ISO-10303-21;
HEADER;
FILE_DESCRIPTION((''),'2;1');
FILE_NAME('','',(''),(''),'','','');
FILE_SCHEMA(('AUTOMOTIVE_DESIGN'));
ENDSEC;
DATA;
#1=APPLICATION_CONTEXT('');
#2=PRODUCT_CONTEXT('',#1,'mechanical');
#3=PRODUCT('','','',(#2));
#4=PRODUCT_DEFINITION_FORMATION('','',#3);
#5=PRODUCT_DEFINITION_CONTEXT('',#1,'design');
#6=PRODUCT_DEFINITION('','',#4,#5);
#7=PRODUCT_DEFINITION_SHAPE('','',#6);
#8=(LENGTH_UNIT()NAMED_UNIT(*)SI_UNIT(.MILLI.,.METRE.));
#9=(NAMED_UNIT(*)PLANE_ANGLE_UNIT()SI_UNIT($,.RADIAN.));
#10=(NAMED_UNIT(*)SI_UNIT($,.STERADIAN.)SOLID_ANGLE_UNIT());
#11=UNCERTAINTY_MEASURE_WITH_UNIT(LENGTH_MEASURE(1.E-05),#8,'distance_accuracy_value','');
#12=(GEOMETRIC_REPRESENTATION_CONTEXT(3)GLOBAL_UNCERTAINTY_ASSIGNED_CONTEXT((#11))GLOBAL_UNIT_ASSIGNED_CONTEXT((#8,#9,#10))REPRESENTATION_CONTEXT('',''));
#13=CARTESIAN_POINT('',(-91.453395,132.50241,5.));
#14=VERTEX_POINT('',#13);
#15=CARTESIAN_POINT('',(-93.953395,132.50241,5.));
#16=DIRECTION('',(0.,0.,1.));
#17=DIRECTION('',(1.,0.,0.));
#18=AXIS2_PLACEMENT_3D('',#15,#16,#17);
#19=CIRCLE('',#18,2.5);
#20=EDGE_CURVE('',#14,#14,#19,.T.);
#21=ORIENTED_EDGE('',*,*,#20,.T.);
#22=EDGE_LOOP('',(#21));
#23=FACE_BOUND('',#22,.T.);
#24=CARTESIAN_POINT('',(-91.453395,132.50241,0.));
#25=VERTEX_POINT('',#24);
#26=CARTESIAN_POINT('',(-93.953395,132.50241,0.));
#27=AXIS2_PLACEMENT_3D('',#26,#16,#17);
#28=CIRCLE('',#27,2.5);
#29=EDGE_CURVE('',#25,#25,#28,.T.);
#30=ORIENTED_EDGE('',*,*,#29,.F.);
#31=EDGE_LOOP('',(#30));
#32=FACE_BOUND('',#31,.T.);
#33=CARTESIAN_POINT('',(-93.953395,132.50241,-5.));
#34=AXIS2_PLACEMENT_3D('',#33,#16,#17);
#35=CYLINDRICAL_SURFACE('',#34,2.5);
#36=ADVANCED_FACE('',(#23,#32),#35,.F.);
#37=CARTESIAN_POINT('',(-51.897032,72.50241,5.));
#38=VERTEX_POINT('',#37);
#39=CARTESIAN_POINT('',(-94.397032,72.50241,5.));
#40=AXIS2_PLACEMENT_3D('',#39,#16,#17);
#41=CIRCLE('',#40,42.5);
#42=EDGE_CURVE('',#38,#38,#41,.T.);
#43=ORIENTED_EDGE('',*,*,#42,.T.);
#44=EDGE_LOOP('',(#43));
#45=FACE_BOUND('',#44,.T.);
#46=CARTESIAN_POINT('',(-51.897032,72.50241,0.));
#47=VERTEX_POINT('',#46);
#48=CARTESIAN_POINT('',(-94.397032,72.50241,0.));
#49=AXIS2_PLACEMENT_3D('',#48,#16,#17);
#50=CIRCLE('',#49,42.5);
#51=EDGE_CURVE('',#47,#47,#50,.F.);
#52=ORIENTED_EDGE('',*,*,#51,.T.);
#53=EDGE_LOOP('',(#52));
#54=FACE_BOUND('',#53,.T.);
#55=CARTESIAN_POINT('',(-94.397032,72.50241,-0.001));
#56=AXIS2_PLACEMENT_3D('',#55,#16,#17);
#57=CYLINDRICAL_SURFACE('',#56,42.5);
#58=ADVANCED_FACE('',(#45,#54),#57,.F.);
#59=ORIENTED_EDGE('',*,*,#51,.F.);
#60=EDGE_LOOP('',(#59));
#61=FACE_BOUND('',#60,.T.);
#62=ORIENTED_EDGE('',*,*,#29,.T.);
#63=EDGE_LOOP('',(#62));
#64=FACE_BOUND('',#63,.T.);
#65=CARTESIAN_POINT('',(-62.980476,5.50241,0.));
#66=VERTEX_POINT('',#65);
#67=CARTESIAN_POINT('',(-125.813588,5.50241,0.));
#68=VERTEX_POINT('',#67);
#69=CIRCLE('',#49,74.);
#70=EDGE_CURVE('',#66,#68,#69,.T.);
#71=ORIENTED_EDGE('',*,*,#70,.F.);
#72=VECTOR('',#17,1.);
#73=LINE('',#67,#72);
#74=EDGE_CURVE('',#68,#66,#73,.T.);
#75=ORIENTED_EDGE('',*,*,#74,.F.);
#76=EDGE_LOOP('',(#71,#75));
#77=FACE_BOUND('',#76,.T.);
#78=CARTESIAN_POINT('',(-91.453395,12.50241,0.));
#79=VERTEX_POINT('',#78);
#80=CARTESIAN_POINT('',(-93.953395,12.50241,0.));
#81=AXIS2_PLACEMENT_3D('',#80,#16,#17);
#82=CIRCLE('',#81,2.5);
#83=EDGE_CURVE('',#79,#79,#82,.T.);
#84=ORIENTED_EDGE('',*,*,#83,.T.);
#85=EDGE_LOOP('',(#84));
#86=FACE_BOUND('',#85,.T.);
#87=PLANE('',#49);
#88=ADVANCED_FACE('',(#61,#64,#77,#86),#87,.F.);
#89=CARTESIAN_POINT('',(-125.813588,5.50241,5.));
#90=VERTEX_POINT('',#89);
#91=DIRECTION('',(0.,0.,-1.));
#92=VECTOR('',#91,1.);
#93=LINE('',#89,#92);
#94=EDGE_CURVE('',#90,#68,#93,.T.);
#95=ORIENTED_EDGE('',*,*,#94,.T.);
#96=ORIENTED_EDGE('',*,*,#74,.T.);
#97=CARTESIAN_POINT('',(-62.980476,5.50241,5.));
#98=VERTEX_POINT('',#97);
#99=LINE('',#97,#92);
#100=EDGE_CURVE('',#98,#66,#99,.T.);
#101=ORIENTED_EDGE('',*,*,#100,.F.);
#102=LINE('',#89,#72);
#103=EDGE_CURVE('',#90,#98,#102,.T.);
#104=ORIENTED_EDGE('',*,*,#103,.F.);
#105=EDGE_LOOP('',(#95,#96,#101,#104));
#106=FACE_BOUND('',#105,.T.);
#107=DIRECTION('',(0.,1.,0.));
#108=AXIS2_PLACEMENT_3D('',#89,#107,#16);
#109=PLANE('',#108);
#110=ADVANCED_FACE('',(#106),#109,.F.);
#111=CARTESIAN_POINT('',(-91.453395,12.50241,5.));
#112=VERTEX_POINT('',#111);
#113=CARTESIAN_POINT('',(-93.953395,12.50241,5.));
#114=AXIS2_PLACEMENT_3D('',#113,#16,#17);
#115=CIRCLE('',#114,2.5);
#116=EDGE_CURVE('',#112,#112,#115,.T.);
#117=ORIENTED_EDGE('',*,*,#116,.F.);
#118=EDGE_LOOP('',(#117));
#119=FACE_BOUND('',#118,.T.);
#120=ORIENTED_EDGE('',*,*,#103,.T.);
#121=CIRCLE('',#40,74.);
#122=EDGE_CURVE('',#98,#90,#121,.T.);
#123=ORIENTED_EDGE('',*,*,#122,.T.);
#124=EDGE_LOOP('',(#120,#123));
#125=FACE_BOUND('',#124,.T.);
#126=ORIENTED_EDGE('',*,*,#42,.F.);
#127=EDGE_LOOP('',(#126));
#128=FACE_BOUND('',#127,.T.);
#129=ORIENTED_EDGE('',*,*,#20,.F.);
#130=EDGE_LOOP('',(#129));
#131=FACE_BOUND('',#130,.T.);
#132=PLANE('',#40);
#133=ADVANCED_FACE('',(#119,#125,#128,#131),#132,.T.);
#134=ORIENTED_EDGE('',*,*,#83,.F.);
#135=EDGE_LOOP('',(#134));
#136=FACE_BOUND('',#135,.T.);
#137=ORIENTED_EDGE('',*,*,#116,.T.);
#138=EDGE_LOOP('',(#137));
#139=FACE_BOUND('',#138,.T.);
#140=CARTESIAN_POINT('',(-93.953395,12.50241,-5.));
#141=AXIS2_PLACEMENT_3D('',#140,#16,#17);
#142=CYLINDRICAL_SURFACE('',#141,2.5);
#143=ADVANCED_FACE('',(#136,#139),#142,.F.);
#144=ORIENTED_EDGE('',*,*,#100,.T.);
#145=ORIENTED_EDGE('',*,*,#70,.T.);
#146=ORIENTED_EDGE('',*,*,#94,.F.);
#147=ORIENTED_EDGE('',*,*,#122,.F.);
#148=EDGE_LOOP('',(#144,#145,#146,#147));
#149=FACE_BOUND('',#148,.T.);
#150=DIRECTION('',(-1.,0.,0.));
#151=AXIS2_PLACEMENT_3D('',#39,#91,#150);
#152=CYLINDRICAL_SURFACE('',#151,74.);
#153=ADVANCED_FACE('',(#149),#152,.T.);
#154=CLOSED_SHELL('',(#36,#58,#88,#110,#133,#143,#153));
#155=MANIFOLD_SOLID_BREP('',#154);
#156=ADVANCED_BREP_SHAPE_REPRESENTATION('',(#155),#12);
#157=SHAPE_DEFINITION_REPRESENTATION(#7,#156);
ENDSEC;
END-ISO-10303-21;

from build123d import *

# Parameters (mm, degrees)
BOSS_EXTRUDE1_DEPTH = 5
SKETCH2_R           = 2.5
CUT_EXTRUDE1_DEPTH  = 10
CUT_EXTRUDE2_REACH  = 225.261
SKETCH3_R           = 42.5


with BuildPart() as part:
    # Sketch1 → Boss-Extrude1 (new body)
    with BuildSketch(Plane.XY):
        with BuildLine():
            Line((-125.81358794, 5.502409601), (-62.980475651, 5.502409601))
            ThreePointArc((-62.980475651, 5.502409601), (-94.397031795, 146.502409601), (-125.81358794, 5.502409601))
        make_face()
    extrude(amount=BOSS_EXTRUDE1_DEPTH)

    # Sketch2 → Cut-Extrude1 (cut)
    with BuildSketch(Plane.XY.offset(5)):
        with Locations((-93.953395264, 132.502409601)):
            Circle(SKETCH2_R)
        with Locations((-93.953395264, 12.502409601)):
            Circle(SKETCH2_R)
    extrude(amount=-CUT_EXTRUDE1_DEPTH, mode=Mode.SUBTRACT)

    # Sketch3 → Cut-Extrude2 (cut, up to next)
    with BuildSketch(Plane.XY.offset(5), mode=Mode.PRIVATE) as cut_extrude2_sk1:
        with Locations((-94.397031795, 72.502409601)):
            Circle(SKETCH3_R)
    cut_extrude2_tool1 = extrude(cut_extrude2_sk1.sketch, amount=-CUT_EXTRUDE2_REACH, mode=Mode.PRIVATE) & part.part
    add(cut_extrude2_tool1.solids().sort_by_distance((-94.397032, 72.50241, 5))[0], mode=Mode.SUBTRACT)


solid = part.part
